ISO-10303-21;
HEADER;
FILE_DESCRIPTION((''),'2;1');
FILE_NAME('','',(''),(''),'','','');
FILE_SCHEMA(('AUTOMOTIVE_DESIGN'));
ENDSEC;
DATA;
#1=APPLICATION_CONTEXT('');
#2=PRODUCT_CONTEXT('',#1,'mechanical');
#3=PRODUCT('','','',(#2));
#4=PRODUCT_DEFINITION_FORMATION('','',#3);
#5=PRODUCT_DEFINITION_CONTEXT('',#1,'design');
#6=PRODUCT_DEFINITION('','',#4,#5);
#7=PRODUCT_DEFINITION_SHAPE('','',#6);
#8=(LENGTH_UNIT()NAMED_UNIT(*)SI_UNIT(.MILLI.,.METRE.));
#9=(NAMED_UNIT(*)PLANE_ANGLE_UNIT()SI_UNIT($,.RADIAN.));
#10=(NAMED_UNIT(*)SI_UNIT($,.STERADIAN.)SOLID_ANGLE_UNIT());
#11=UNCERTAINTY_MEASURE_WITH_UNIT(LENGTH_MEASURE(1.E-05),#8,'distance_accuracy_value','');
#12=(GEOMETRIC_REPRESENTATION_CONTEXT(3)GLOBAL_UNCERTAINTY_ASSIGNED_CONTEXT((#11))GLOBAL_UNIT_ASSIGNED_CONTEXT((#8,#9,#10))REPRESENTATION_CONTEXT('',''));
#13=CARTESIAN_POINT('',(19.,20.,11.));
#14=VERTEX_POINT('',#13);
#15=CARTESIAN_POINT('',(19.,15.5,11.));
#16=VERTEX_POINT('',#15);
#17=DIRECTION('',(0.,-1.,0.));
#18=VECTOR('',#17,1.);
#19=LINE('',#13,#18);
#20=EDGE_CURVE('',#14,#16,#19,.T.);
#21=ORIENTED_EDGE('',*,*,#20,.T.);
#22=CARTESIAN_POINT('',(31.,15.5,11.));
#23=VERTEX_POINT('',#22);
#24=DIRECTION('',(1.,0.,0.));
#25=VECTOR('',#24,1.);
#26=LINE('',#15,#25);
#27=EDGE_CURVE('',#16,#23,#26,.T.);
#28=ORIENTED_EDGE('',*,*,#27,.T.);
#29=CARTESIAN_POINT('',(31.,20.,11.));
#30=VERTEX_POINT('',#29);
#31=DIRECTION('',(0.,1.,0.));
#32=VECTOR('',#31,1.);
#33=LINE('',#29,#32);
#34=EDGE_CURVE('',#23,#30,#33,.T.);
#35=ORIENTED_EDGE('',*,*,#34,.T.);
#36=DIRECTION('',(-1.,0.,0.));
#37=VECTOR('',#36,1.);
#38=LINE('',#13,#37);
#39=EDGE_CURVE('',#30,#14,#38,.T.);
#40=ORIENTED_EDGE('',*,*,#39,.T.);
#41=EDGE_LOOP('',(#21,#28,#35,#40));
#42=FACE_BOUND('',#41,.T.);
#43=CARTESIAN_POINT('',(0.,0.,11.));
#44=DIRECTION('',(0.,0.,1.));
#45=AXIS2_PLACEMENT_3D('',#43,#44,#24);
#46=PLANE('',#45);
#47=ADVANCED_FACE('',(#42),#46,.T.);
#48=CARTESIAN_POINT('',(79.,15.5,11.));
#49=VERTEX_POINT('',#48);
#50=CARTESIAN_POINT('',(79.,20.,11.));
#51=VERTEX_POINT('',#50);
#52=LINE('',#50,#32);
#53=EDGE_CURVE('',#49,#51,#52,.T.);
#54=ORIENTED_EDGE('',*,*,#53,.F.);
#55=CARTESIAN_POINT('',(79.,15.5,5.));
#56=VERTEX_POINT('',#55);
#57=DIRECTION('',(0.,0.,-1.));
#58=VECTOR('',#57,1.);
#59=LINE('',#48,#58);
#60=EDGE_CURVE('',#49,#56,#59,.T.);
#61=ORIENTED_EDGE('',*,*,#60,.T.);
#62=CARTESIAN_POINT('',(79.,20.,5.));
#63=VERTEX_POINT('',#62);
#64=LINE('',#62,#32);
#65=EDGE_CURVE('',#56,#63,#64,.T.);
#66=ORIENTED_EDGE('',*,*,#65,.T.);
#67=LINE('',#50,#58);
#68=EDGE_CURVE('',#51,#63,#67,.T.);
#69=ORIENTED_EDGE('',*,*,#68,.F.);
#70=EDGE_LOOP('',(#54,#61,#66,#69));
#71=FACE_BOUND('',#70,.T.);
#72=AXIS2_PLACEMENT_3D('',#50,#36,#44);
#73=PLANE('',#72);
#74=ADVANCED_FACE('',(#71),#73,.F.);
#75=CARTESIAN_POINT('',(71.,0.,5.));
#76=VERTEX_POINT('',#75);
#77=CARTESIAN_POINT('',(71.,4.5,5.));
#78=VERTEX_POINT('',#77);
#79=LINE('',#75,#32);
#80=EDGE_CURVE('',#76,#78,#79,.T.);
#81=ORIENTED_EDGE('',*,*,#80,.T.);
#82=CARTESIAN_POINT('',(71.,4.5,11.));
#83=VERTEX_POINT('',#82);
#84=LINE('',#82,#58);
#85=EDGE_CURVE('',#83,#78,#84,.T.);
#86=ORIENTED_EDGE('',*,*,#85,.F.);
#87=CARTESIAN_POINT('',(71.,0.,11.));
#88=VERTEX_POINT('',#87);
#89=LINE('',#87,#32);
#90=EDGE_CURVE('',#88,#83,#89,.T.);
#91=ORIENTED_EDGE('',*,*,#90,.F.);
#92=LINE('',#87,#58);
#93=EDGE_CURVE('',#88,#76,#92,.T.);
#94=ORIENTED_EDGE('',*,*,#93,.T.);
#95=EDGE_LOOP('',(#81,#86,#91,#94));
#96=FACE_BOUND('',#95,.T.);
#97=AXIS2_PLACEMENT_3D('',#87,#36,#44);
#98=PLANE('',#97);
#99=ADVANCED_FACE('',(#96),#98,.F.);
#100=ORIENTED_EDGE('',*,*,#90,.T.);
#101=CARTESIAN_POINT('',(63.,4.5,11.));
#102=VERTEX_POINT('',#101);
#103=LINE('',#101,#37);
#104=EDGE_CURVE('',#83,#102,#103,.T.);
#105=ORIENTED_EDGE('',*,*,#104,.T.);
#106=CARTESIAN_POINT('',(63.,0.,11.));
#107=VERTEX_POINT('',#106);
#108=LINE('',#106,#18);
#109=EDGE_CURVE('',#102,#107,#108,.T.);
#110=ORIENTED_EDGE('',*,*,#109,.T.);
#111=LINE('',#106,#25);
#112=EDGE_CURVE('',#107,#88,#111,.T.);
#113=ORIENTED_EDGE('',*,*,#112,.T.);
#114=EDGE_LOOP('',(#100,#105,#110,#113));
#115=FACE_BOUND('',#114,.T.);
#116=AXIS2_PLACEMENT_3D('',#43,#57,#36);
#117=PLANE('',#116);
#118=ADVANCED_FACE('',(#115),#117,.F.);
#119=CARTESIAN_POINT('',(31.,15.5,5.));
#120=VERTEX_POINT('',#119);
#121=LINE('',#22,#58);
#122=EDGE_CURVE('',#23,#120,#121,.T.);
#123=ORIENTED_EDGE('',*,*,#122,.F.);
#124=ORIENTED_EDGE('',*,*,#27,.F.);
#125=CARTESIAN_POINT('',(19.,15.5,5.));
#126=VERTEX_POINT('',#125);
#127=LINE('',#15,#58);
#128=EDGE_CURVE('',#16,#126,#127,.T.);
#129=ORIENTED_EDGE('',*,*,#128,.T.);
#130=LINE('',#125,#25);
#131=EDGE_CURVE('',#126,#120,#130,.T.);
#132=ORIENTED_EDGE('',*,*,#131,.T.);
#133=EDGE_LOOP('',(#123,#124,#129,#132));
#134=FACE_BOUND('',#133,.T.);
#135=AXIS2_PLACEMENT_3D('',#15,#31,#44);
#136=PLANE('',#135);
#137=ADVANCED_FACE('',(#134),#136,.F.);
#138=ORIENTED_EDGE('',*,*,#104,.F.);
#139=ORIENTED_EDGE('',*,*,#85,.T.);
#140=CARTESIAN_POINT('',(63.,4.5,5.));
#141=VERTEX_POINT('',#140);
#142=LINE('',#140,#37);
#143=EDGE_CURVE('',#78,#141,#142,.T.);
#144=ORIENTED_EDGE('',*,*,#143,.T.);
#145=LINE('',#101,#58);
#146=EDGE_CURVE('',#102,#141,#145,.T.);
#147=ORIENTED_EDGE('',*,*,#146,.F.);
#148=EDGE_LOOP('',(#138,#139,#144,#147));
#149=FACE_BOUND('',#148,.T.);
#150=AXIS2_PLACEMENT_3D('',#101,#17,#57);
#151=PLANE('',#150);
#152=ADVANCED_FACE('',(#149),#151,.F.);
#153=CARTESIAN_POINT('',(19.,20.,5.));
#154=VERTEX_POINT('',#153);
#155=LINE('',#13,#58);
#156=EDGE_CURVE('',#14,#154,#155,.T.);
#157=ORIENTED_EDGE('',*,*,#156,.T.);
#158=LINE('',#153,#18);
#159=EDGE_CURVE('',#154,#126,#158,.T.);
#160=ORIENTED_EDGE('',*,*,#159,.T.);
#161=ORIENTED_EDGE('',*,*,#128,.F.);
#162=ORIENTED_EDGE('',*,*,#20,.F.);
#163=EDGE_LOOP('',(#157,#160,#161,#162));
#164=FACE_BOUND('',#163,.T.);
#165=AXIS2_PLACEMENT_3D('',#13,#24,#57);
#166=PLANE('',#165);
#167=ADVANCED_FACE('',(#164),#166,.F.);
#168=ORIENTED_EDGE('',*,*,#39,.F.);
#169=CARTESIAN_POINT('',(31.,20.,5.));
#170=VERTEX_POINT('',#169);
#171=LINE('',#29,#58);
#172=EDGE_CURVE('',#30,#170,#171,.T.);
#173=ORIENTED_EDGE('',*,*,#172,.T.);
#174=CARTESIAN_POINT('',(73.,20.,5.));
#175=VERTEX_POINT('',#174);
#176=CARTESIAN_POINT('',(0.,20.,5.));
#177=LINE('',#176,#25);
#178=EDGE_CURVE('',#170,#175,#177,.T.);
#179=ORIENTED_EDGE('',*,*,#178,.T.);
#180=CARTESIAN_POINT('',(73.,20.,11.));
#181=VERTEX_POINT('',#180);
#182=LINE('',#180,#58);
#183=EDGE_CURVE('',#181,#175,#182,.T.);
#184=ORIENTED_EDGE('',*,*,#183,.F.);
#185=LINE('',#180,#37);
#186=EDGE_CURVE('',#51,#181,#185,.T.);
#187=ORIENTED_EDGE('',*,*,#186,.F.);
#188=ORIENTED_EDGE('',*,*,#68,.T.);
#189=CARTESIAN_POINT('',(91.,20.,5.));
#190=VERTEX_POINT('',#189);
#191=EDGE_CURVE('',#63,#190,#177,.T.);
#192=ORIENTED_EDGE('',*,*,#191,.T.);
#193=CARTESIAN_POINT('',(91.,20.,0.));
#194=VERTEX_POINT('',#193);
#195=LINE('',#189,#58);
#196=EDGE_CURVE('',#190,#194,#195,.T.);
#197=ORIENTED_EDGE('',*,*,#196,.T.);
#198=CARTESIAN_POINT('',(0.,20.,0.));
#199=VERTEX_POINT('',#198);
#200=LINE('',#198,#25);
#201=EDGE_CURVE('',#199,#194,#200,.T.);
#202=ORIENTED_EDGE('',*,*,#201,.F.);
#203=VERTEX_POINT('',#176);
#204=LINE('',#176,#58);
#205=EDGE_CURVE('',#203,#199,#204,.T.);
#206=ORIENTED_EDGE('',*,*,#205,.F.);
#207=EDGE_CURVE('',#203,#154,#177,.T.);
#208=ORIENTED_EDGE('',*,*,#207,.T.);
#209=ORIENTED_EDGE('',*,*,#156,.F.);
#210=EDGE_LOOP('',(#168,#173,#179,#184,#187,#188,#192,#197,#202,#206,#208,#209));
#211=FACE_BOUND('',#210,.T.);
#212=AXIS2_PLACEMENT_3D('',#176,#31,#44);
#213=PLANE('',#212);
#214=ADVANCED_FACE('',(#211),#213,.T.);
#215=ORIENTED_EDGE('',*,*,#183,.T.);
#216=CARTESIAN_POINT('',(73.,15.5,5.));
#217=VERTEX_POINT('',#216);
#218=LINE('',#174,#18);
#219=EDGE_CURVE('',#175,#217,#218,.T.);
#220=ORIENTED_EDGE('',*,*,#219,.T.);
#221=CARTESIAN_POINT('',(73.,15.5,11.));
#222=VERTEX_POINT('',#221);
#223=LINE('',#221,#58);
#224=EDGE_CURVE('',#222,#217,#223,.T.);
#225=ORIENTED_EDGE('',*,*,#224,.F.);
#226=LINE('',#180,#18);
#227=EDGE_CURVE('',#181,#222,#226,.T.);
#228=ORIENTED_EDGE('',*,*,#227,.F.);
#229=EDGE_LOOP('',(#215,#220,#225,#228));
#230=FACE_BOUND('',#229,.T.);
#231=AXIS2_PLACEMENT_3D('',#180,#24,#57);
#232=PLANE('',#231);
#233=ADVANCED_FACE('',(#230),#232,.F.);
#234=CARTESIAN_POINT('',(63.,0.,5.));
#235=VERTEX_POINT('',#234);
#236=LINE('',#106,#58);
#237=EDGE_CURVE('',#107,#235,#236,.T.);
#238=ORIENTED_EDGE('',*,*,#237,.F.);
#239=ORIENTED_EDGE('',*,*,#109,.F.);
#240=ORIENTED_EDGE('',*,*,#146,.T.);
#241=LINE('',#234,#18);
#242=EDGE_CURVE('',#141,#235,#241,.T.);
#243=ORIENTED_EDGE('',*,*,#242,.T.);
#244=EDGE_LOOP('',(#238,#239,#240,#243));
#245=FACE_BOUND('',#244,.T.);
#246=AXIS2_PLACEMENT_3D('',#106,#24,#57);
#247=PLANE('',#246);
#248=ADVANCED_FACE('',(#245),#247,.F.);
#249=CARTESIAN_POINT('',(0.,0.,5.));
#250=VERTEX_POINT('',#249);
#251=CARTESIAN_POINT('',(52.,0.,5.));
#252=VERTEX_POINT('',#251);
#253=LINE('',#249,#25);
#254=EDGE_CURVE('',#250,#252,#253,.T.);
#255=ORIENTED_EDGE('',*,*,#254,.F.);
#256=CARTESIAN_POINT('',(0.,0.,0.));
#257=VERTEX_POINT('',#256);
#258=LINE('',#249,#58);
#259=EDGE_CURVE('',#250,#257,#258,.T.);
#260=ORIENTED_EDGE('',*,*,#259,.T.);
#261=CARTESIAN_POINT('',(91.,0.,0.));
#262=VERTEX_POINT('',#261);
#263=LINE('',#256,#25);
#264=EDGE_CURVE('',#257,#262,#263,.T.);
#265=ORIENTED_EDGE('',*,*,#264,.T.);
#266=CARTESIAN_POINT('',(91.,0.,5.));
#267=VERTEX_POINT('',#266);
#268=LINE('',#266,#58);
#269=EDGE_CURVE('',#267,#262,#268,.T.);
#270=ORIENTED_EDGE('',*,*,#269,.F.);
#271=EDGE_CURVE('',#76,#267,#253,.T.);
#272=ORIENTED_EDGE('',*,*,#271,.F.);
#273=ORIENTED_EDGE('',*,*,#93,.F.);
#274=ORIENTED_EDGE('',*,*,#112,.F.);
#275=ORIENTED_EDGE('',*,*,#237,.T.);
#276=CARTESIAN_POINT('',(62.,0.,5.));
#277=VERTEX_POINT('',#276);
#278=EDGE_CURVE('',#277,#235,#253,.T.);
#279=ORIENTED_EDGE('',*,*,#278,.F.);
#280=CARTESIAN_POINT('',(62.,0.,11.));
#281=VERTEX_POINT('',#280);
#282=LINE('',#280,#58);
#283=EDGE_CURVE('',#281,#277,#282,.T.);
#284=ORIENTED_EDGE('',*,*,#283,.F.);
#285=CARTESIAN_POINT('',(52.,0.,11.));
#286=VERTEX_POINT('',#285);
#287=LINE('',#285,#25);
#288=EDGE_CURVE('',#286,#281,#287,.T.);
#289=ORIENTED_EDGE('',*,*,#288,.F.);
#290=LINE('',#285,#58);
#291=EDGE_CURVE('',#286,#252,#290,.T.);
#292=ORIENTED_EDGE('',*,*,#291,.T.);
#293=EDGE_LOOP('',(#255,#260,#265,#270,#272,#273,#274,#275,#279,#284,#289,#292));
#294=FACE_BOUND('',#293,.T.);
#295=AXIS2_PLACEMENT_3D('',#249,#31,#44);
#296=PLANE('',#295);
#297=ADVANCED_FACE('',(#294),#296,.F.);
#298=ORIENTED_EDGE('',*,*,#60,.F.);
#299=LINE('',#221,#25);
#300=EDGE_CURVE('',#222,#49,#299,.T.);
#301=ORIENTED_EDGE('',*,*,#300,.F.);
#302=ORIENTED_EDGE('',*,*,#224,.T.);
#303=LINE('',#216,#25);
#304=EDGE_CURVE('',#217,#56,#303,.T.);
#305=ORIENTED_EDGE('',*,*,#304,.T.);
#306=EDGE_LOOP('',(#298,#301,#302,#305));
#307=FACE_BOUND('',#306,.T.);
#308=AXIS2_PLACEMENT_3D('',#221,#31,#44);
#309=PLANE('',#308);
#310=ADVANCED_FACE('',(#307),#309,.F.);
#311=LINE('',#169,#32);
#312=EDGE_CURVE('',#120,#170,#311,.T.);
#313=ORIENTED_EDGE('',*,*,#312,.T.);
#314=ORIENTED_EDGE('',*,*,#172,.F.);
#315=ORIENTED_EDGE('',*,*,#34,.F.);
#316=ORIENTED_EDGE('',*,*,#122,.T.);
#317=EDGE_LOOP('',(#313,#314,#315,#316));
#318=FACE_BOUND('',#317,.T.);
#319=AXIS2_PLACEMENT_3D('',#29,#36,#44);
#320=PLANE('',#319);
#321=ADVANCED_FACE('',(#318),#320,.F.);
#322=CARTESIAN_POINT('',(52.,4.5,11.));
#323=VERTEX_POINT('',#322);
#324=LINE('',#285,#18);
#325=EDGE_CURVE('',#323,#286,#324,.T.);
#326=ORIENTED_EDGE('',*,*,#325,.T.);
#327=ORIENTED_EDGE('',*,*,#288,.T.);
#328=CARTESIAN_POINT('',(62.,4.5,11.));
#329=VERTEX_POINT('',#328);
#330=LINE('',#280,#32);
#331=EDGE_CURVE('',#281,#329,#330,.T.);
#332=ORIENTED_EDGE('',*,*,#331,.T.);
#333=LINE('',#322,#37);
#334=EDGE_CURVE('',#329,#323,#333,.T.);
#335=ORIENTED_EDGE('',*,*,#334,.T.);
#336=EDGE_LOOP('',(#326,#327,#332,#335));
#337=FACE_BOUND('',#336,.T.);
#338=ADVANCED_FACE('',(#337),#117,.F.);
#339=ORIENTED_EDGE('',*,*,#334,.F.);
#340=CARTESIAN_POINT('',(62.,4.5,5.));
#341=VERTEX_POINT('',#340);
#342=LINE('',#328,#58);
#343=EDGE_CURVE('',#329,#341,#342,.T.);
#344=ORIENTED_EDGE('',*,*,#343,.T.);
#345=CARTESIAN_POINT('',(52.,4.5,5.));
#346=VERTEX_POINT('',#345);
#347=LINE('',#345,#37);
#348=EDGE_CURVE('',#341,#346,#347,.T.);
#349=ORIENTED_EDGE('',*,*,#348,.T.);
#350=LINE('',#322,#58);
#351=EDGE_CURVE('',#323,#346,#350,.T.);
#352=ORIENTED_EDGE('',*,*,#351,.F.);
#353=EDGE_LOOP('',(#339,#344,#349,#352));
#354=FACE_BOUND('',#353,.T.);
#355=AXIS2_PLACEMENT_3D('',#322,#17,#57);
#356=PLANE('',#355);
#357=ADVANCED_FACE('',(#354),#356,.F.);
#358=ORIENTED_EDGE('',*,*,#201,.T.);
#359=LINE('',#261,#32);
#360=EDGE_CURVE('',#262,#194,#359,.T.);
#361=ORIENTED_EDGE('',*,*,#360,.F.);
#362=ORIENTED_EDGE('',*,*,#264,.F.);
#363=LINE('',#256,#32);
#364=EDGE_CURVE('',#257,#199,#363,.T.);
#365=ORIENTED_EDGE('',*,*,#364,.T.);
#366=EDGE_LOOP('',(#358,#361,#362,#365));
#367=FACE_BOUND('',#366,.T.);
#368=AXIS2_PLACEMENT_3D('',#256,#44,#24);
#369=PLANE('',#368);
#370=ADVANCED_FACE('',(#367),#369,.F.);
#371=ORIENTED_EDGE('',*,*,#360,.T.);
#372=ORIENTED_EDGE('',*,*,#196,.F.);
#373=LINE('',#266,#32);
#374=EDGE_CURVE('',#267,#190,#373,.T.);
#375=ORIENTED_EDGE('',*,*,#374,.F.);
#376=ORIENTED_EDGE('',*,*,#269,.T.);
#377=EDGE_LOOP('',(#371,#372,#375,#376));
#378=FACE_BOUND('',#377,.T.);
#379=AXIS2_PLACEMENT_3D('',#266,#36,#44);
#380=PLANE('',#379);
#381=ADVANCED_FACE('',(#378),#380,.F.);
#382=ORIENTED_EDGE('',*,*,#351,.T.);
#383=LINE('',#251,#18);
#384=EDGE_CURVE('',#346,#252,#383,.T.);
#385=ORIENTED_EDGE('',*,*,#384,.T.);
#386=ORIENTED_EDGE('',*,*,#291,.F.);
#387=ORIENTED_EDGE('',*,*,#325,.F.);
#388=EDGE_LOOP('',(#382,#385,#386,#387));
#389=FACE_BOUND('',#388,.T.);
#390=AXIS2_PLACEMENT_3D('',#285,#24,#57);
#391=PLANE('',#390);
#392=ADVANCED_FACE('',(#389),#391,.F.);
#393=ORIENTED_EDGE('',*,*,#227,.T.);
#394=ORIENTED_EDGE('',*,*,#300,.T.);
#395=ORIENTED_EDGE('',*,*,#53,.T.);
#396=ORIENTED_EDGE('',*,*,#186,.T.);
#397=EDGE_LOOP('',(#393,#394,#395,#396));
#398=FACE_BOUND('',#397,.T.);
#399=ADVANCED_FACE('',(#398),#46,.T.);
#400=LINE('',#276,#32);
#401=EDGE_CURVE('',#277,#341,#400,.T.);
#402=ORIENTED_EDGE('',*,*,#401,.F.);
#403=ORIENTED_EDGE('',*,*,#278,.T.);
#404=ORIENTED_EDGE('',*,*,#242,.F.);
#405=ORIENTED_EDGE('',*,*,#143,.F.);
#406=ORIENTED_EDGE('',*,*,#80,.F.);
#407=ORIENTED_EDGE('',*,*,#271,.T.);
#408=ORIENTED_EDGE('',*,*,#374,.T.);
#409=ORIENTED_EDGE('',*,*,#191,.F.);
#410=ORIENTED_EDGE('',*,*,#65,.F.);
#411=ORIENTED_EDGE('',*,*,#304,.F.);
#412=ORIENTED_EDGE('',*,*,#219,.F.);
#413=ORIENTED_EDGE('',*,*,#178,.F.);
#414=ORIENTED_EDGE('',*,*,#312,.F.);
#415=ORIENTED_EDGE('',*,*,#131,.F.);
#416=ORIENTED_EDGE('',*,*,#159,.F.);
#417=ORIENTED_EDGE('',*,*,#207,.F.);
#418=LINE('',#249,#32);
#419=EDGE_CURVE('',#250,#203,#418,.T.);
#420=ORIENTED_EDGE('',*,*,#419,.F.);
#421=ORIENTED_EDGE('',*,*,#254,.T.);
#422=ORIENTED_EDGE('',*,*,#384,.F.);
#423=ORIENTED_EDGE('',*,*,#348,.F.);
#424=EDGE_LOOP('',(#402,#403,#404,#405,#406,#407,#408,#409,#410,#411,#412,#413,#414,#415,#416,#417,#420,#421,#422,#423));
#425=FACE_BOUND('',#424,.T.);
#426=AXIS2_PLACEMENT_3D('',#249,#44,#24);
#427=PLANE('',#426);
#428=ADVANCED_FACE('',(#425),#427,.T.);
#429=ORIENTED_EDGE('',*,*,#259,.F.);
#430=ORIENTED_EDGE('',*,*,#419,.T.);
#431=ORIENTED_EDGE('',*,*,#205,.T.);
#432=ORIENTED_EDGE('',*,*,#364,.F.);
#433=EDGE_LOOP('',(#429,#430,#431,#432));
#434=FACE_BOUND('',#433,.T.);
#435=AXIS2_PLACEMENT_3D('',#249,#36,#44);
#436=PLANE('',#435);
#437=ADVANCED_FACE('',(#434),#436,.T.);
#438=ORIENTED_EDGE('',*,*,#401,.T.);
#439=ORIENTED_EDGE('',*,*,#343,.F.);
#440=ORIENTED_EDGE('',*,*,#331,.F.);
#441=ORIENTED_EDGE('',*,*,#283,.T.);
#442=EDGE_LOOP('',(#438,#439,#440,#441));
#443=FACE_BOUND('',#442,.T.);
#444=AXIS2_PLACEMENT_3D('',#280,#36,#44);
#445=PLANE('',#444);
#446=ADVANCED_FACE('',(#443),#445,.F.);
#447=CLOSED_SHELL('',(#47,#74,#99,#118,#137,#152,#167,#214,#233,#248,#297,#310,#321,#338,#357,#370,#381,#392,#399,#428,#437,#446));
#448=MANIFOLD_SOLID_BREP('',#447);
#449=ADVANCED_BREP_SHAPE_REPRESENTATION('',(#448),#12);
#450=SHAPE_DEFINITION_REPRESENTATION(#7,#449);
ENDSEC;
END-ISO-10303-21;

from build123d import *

# Parameters (mm, degrees)
SKETCH_1_W      = 91
SKETCH_1_H      = 20
EXTRUDE_1_DEPTH = 5
SKETCH_2_W      = 12
SKETCH_2_H      = 4.5
SKETCH_2_W_2    = 6
SKETCH_2_W_3    = 10
SKETCH_2_W_4    = 8
EXTRUDE_2_DEPTH = 6


with BuildPart() as part:
    # Эскиз1 → Бобышка-Вытянуть1 (new body)
    with BuildSketch(Plane.XY):
        with Locations((45.5, 10)):
            Rectangle(SKETCH_1_W, SKETCH_1_H)
    extrude(amount=EXTRUDE_1_DEPTH)

    # Эскиз2 → Бобышка-Вытянуть2 (add)
    with BuildSketch(Plane.XY.offset(5)):
        with Locations((25, 17.75)):
            Rectangle(SKETCH_2_W, SKETCH_2_H)
        with Locations((76, 17.75)):
            Rectangle(SKETCH_2_W_2, SKETCH_2_H)
        with Locations((57, 2.25)):
            Rectangle(SKETCH_2_W_3, SKETCH_2_H)
        with Locations((67, 2.25)):
            Rectangle(SKETCH_2_W_4, SKETCH_2_H)
    extrude(amount=EXTRUDE_2_DEPTH)


solid = part.part
